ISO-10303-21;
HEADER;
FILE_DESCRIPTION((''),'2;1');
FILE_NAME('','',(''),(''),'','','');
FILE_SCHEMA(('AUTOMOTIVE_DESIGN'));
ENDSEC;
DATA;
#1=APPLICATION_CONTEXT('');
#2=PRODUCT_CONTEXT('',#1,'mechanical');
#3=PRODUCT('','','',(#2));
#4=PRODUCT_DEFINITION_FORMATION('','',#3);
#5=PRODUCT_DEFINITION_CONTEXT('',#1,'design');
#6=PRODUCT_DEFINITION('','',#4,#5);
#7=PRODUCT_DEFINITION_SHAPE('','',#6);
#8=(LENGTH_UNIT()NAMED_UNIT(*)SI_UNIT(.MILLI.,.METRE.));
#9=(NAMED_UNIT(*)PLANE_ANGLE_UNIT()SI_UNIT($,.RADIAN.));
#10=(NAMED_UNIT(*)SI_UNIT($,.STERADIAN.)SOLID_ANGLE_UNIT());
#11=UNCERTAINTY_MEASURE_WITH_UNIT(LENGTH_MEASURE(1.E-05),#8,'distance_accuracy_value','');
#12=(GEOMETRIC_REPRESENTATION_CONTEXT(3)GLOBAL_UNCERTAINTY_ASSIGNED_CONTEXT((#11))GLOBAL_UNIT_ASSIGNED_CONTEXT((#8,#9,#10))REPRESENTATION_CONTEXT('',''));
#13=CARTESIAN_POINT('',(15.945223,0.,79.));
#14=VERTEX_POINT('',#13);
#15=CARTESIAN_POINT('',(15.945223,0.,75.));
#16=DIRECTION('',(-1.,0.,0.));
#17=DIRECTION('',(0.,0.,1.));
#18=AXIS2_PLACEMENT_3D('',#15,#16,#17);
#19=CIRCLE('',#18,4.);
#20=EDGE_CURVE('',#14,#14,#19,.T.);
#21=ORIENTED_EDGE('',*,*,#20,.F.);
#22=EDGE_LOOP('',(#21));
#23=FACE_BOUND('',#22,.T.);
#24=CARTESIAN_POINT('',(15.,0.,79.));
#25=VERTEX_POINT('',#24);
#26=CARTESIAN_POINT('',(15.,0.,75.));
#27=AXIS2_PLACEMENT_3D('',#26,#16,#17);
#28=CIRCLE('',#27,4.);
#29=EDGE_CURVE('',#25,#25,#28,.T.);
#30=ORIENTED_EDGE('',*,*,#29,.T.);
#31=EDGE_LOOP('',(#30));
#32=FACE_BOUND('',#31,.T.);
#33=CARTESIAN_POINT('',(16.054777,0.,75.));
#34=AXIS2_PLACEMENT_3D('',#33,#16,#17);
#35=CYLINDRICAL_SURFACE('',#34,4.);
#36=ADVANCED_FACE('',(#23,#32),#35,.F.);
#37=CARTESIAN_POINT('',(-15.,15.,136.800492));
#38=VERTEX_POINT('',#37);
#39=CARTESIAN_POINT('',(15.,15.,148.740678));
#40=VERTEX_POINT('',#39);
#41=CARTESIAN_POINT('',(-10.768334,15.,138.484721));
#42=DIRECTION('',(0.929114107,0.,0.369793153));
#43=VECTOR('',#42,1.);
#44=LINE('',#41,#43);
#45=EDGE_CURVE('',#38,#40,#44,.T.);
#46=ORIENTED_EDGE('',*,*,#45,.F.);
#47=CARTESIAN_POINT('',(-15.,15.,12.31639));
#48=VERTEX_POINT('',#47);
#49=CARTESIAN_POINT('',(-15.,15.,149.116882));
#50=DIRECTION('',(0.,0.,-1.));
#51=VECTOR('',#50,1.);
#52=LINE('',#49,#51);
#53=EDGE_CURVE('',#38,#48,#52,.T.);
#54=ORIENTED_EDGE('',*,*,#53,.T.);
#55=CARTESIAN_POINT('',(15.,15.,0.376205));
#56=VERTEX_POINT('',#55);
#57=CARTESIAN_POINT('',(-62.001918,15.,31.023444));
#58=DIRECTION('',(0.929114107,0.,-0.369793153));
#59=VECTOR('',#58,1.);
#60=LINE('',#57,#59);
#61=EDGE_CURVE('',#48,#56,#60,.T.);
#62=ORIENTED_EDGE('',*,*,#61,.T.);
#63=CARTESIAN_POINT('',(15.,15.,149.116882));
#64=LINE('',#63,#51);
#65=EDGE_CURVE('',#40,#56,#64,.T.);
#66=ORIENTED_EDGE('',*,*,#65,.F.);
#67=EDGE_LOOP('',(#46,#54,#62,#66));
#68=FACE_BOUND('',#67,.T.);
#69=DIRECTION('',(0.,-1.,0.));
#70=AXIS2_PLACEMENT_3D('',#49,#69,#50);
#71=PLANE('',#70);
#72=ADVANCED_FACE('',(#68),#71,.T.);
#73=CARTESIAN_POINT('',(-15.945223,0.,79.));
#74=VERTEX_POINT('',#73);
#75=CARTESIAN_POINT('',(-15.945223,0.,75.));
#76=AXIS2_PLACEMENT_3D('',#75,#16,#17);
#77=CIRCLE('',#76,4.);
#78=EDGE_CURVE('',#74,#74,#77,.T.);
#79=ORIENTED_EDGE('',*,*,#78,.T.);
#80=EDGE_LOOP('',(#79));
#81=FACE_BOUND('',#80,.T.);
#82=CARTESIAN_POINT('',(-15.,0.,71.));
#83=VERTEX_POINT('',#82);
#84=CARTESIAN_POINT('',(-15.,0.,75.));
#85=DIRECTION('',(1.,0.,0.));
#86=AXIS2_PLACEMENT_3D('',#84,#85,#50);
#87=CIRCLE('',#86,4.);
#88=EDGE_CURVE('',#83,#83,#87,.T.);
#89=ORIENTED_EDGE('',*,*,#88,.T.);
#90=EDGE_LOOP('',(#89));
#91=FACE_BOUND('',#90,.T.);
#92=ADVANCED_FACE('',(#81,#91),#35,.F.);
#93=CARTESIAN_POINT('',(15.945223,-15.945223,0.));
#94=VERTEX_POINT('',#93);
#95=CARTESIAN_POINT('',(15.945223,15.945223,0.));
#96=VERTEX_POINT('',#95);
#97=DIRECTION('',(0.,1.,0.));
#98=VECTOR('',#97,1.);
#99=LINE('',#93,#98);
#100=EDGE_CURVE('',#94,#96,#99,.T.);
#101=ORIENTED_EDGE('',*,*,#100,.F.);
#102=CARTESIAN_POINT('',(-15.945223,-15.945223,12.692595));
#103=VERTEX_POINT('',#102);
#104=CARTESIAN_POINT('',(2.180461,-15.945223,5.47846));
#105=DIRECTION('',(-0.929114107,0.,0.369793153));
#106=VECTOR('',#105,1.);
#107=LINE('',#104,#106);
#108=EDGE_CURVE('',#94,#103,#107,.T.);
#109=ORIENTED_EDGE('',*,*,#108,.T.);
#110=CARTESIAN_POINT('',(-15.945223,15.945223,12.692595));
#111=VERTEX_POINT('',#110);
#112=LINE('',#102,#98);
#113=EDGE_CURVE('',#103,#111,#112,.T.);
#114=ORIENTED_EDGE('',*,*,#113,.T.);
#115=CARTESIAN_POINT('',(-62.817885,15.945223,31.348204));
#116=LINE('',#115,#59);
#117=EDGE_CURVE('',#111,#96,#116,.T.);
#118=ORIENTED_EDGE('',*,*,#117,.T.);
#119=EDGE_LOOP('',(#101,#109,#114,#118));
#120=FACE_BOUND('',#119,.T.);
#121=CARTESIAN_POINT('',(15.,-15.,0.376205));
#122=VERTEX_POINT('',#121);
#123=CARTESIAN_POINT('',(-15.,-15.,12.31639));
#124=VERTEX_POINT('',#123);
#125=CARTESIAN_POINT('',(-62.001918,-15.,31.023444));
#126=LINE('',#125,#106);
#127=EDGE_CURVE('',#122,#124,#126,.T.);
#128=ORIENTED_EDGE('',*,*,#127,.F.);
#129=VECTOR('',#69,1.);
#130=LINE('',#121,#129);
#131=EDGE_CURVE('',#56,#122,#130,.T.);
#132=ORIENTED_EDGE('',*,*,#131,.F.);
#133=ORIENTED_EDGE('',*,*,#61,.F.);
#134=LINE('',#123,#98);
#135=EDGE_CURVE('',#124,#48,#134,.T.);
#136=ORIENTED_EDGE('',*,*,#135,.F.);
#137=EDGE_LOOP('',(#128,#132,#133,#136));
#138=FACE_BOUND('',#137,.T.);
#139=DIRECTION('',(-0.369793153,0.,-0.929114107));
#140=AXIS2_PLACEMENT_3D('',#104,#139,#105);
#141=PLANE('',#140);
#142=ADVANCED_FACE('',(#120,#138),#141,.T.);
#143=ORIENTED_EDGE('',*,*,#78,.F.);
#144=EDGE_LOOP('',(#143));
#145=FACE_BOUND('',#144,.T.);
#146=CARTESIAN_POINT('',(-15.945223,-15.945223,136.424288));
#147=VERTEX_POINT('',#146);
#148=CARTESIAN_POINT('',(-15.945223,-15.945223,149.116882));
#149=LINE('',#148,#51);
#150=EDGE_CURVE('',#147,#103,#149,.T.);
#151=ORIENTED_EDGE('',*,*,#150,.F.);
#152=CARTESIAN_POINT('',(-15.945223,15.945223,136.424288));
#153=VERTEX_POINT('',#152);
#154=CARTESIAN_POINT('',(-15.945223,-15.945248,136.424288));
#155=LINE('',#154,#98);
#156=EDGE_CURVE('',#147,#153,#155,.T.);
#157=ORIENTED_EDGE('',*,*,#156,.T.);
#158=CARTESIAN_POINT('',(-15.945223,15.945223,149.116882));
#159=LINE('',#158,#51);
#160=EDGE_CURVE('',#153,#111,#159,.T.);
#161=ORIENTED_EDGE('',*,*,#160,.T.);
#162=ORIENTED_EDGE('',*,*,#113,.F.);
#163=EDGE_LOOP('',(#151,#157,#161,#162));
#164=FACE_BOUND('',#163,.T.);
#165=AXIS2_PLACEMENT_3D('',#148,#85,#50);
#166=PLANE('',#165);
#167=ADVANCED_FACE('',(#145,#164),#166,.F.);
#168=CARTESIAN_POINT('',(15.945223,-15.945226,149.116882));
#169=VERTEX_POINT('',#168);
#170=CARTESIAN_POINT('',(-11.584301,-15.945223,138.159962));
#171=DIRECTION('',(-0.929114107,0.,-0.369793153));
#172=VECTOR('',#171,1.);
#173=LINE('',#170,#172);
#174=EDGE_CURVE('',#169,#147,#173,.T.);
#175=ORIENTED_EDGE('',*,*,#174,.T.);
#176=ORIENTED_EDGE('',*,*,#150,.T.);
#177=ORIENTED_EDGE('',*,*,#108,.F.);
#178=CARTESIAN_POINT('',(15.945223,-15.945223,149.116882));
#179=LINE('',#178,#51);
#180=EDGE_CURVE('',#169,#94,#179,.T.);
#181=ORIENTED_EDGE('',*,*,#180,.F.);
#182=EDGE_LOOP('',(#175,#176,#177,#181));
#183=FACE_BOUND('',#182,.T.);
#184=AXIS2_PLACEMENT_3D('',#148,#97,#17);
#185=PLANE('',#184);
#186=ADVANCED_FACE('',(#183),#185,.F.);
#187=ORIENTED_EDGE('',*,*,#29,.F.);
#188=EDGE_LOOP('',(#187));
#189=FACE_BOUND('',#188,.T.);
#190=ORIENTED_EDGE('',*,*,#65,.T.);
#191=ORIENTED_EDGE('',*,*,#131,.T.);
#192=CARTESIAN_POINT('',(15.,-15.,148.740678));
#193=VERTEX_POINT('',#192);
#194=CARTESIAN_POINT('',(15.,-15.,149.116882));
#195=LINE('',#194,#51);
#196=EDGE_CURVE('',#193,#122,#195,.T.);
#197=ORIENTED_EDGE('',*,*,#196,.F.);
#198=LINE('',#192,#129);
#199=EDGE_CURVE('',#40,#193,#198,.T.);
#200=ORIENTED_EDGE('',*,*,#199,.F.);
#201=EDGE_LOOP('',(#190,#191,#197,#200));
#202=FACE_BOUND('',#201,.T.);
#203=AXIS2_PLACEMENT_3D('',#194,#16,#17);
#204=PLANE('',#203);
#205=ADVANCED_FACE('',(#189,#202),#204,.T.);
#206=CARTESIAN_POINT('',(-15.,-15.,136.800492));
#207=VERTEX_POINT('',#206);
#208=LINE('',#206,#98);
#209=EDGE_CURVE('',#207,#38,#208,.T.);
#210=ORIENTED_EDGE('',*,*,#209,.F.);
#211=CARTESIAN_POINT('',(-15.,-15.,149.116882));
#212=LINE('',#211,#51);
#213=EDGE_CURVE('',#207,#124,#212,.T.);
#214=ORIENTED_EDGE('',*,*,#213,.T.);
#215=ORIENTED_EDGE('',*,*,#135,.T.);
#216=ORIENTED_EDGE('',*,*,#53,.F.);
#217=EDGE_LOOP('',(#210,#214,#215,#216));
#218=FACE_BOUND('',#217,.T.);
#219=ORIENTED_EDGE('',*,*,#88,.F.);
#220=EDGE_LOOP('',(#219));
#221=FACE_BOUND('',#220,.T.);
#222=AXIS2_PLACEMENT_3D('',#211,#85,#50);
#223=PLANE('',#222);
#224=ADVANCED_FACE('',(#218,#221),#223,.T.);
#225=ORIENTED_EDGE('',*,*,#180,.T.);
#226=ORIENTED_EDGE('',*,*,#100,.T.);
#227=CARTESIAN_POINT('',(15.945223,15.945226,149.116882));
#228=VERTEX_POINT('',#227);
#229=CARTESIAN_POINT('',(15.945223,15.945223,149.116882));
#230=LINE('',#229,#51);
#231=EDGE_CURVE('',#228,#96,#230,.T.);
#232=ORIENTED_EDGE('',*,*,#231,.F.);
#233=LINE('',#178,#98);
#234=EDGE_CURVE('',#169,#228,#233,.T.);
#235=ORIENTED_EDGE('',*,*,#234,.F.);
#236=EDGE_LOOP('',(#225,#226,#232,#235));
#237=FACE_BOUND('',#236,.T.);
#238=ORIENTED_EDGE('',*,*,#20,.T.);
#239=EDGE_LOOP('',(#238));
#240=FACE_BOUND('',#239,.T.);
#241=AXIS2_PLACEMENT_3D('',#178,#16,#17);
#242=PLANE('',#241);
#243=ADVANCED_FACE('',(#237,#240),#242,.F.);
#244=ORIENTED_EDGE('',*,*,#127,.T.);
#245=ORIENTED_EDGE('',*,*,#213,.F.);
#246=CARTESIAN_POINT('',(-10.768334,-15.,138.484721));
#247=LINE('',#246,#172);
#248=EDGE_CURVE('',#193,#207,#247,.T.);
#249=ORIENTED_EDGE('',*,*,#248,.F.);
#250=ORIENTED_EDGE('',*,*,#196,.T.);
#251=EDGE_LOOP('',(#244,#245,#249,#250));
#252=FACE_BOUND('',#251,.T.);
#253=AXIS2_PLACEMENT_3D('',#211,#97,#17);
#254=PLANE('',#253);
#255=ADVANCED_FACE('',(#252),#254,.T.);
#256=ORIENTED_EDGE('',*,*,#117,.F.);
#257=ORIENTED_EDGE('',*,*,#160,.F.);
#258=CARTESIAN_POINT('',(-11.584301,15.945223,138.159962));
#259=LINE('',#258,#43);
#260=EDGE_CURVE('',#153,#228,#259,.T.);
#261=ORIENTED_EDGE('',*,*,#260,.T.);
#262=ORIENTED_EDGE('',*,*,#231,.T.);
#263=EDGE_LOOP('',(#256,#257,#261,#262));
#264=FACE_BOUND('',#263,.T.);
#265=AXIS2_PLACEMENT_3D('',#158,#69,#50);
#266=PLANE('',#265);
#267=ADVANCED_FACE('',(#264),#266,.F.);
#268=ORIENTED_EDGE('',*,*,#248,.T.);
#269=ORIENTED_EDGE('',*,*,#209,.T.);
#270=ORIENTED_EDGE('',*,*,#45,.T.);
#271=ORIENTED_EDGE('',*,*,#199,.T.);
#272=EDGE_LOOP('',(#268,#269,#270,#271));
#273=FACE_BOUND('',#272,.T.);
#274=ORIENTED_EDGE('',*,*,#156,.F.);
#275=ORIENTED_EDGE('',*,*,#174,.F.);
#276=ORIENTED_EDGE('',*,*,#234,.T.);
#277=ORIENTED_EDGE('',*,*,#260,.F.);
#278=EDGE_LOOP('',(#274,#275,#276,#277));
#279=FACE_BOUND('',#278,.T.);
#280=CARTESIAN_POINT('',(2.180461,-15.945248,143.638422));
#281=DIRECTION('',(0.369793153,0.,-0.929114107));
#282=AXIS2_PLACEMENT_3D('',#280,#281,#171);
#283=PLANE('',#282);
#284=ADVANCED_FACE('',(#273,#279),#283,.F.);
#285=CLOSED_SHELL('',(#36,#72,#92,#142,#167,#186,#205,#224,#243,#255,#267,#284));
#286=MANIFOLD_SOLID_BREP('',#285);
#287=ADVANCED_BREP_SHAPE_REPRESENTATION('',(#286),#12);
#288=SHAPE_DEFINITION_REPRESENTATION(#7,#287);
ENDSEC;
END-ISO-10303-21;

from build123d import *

# Parameters (mm, degrees)
ESBO_O1_W                = 31.890446896
ESBO_O1_H                = 31.890446896
ESBO_O1_W_2              = 30
ESBO_O1_H_2              = 30
RESSALTO_EXTRUS_O1_DEPTH = 149.11688245
CORTE_EXTRUS_O1_DEPTH    = 154.320238017
ESBO_O4_R                = 4
CORTE_EXTRUS_O2_DEPTH    = 32


with BuildPart() as part:
    # Esboço1 → Ressalto-extrusão1 (new body)
    with BuildSketch(Plane.XY):
        Rectangle(ESBO_O1_W, ESBO_O1_H)
        Rectangle(ESBO_O1_W_2, ESBO_O1_H_2, mode=Mode.SUBTRACT)
    extrude(amount=RESSALTO_EXTRUS_O1_DEPTH)

    # Esboço3 → Corte-extrusão1 (cut, symmetric)
    with BuildSketch(Plane(origin=(0, 15.945223448, 0), x_dir=(1, 0, 0), z_dir=(0, 1, 0))):
        Polygon((-15.945223448, -12.692594834), (15.945223448, 0), (-15.945223448, 0), align=None)
    corte_extrus_o1 = extrude(amount=CORTE_EXTRUS_O1_DEPTH, both=True, mode=Mode.SUBTRACT)

    # Espelhar5: Corte-extrusão1 across plane
    add(corte_extrus_o1.mirror(Plane(origin=(0, 0, 74.558441225), x_dir=(1, 0, 0), z_dir=(0, 0, -1))), mode=Mode.SUBTRACT)

    # Esboço4 → Corte-extrusão2 (cut)
    with BuildSketch(Plane.ZY.offset(15.945223448)):
        with Locations((75, 0)):
            Circle(ESBO_O4_R)
    extrude(amount=-CORTE_EXTRUS_O2_DEPTH, mode=Mode.SUBTRACT)


solid = part.part
